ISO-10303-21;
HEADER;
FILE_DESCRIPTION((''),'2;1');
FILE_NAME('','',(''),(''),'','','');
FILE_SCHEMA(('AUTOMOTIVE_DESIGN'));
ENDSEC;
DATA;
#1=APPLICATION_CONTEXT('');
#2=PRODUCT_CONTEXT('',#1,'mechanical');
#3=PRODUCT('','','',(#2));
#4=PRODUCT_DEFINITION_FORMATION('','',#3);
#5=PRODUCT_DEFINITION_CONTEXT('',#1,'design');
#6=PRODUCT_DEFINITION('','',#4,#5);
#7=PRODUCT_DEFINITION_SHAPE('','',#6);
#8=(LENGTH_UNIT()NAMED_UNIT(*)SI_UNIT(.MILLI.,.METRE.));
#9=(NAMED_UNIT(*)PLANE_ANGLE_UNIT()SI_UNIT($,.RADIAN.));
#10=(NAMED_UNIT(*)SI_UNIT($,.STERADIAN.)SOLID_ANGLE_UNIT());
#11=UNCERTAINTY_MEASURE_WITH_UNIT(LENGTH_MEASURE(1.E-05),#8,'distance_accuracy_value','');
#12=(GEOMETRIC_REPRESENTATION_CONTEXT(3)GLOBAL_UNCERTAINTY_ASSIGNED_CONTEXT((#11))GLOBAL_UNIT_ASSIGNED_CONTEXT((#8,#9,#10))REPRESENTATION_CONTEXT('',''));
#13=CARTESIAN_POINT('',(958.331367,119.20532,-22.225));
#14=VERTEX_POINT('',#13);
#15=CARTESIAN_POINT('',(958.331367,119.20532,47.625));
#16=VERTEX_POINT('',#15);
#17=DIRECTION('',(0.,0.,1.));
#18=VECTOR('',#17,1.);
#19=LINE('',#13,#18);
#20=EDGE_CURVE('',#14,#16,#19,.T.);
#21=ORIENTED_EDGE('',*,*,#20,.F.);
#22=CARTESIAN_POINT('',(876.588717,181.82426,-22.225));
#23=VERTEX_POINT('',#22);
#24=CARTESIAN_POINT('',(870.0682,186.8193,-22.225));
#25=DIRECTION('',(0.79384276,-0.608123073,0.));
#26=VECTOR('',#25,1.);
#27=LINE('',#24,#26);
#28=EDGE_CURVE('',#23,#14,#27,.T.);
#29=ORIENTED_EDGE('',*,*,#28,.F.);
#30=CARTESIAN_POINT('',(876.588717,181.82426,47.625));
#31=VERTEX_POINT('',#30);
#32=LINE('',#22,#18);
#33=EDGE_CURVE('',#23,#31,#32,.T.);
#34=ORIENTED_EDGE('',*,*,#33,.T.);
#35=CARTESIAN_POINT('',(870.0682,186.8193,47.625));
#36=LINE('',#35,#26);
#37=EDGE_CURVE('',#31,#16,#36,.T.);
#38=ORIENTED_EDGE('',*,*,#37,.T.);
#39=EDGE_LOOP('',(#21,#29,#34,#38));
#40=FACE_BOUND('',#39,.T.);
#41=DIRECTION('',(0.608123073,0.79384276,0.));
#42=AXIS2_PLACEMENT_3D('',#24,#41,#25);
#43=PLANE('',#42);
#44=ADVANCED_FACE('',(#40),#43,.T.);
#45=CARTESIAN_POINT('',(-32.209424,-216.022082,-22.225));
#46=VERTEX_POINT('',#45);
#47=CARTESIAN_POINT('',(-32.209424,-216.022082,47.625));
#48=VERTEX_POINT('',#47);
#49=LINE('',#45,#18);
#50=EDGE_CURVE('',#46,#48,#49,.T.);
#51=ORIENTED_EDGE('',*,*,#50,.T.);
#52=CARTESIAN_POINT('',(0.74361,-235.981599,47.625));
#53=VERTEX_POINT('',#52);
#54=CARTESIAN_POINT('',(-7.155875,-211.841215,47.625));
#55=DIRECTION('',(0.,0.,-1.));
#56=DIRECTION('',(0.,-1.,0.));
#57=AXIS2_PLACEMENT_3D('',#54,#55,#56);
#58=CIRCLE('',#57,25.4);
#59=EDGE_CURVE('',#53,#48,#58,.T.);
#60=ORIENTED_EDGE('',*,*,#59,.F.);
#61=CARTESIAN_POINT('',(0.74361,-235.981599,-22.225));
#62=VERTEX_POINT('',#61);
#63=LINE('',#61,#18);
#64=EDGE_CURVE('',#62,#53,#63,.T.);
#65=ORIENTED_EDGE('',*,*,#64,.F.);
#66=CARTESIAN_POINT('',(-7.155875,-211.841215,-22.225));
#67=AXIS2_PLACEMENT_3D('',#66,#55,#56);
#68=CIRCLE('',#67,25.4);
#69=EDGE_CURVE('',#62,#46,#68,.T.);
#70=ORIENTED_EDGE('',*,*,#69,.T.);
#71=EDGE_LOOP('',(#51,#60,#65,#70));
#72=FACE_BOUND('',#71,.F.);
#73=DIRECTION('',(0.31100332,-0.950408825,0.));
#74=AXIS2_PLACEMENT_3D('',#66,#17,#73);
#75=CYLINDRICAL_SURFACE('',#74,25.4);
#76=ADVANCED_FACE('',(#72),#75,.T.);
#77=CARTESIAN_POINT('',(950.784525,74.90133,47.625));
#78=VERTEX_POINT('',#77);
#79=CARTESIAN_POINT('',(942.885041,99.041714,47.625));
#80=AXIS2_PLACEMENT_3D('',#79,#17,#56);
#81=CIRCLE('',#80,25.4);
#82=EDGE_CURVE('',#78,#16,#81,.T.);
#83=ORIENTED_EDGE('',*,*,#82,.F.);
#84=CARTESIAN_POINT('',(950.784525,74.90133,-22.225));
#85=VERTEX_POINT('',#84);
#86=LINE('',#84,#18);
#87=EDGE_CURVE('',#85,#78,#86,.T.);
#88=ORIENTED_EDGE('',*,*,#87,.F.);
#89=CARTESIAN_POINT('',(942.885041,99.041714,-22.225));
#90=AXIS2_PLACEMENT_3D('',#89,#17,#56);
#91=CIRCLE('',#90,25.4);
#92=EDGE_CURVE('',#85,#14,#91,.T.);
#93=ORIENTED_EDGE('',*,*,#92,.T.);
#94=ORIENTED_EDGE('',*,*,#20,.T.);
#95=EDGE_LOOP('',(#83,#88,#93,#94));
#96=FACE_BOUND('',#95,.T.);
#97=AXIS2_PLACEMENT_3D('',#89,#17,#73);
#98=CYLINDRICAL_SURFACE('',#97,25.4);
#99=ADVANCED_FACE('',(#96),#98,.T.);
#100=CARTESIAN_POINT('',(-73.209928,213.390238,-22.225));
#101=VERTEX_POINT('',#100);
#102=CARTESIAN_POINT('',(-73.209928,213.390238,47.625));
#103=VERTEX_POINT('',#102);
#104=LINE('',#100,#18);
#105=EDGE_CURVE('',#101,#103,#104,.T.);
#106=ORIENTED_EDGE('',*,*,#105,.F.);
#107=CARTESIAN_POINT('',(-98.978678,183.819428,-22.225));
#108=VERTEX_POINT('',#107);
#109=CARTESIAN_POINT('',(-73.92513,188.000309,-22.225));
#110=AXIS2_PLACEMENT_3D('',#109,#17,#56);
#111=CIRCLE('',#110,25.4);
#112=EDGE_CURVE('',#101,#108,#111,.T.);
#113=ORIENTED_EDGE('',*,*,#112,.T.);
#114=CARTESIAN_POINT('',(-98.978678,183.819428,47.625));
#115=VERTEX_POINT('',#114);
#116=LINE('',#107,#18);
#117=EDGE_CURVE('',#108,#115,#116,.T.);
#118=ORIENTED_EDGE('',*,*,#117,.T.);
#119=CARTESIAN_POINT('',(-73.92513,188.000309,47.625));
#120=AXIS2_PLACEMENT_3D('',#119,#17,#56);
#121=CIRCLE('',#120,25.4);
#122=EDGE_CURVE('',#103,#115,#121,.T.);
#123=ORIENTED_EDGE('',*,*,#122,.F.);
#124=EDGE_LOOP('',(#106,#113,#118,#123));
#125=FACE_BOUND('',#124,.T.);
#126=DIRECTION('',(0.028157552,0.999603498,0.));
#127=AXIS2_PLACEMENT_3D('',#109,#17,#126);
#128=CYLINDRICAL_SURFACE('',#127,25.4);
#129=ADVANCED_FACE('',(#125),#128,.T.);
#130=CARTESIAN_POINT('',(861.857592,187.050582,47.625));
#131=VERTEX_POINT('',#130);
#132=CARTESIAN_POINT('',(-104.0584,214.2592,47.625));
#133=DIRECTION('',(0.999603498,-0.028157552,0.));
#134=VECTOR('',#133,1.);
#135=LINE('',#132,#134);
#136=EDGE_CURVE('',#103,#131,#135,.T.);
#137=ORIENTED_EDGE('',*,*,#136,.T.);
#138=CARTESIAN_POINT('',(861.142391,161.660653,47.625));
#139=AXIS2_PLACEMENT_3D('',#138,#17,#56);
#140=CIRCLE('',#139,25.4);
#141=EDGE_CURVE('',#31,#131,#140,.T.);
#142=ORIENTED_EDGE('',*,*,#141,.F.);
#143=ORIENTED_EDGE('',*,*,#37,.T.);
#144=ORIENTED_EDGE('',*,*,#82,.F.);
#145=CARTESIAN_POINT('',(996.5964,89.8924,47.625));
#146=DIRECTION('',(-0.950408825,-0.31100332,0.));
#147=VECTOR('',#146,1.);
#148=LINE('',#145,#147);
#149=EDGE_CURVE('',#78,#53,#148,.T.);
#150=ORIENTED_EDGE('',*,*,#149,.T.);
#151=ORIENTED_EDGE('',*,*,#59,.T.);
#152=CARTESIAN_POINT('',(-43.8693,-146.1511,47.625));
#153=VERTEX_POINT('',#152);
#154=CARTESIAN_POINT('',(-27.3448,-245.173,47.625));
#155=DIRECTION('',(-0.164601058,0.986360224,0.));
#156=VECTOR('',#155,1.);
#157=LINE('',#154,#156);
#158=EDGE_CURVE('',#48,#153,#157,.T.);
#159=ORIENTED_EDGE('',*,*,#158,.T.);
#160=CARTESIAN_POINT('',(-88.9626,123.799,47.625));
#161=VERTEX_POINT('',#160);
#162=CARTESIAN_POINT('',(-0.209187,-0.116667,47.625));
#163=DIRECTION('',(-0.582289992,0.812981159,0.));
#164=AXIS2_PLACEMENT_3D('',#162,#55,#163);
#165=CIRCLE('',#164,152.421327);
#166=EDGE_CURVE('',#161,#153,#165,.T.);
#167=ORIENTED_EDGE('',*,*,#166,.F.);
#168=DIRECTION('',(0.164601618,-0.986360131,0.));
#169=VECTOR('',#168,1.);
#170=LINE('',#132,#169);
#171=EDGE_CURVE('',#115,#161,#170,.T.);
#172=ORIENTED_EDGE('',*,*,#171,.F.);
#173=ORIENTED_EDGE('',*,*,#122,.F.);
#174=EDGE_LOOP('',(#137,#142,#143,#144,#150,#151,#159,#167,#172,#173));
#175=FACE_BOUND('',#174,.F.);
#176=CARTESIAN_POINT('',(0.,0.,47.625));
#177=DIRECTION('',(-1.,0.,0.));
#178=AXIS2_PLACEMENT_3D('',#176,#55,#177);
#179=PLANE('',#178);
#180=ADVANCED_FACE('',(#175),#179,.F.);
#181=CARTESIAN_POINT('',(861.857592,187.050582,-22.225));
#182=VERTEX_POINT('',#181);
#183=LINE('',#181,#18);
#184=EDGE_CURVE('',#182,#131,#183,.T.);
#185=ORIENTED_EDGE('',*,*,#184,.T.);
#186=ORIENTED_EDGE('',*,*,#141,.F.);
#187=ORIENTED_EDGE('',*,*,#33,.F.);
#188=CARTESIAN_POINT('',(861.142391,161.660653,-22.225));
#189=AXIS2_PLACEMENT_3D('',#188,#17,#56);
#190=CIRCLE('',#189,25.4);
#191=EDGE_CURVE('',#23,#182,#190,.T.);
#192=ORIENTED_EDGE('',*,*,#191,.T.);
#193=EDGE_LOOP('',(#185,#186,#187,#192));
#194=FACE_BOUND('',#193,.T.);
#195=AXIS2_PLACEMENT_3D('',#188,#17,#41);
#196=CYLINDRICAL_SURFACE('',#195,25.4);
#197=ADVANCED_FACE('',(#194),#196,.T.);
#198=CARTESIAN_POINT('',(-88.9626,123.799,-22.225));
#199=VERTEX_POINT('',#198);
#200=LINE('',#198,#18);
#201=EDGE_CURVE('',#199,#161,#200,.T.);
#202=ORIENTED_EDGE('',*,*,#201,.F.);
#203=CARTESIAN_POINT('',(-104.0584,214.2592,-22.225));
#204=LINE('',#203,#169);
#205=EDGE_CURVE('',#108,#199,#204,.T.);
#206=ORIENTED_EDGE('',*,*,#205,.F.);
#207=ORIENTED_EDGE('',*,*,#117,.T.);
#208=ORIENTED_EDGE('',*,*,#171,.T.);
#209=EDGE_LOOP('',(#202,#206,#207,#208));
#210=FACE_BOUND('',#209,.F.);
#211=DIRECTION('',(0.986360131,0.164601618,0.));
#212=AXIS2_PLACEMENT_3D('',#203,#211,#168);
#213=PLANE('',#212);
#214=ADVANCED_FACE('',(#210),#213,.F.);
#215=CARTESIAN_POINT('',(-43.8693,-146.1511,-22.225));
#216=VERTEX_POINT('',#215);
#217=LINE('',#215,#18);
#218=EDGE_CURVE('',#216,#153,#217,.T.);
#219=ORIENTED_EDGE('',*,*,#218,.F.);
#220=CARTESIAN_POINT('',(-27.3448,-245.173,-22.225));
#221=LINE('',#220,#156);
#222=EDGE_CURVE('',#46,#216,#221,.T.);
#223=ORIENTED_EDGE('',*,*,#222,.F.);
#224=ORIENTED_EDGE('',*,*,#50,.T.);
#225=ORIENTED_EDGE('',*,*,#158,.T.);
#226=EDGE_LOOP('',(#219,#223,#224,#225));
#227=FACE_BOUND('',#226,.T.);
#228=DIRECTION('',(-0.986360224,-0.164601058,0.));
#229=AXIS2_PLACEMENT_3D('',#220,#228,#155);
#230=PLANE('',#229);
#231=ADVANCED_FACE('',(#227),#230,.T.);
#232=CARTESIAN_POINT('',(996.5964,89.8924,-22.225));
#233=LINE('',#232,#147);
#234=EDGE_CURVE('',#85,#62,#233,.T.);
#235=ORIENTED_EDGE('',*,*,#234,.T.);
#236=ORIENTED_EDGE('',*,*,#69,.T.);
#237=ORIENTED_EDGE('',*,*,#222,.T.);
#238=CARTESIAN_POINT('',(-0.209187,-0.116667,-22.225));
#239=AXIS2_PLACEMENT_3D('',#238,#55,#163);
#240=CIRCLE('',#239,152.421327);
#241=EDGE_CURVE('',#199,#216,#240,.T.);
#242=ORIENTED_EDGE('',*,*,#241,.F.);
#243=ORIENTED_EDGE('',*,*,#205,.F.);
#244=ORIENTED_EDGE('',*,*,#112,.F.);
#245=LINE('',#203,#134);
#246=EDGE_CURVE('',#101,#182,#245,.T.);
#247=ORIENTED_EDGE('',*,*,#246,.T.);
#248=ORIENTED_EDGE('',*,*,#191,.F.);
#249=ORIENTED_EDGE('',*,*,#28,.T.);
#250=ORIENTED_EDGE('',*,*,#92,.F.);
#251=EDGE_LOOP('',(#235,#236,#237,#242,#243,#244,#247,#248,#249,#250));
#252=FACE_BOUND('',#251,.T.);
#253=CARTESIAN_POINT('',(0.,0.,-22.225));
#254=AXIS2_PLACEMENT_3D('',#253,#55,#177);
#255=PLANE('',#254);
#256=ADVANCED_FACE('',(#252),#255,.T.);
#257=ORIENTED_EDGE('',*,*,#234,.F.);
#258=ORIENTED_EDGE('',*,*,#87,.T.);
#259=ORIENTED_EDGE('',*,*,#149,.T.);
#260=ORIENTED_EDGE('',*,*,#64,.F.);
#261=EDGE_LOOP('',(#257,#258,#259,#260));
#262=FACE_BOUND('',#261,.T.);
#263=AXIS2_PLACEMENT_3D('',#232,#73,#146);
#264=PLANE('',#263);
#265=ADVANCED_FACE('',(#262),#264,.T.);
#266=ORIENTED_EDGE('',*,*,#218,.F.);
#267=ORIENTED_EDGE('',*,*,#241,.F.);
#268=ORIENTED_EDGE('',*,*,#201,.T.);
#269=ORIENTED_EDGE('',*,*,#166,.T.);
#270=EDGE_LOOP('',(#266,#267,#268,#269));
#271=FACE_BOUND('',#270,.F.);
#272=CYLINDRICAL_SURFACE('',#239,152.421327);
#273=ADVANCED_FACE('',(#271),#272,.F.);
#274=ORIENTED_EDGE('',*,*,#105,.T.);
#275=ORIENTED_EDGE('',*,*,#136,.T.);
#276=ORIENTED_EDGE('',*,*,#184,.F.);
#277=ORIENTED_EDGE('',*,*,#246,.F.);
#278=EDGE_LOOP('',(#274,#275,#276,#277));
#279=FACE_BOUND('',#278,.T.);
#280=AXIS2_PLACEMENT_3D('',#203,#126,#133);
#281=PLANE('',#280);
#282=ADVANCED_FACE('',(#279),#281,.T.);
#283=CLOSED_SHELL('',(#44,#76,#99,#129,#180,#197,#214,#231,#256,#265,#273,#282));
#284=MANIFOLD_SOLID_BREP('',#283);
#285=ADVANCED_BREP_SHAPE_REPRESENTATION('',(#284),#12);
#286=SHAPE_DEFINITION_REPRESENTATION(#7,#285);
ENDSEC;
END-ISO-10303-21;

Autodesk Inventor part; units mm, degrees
ref_plane "YZ Plane" through (0, 0, 0) normal (1, 0, 0) x (0, 1, 0)
ref_plane "XZ Plane" through (0, 0, 0) normal (0, 1, 0) x (-1, 0, 0)
ref_plane "XY Plane" through (0, 0, 0) normal (0, 0, 1) x (1, 0, 0)
ref_plane "Work Plane1" through (0, 0, -22.225) normal (0, 0, -1) x (-1, 0, 0)
sketch "Sketch1" plane through (0, 0, -22.225) normal (0, 0, -1) x (-1, 0, 0)
  arc A0 (88.9626, 123.799) -> (43.8693, -146.1511) centre (0.2092, -0.1167) ccw
  line L0 (104.0584, 214.2592) -> (-870.0682, 186.8193)
  line L1 (-870.0682, 186.8193) -> (-996.5964, 89.8924)
  line L2 (-996.5964, 89.8924) -> (27.3448, -245.173)
  line L3 (104.0584, 214.2592) -> (88.9626, 123.799)
  line L4 (27.3448, -245.173) -> (43.8693, -146.1511)
extrude "Extrusion1" add sketch "Sketch1" against normal blind 69.85
fillet "Fillet1" radius 25.4 1 edges at (-104.0584, 214.2592, 12.7)
fillet "Fillet2" radius 25.4 1 edges at (-27.3448, -245.173, 12.7)
fillet "Fillet3" radius 25.4 2 edges at (996.5964, 89.8924, 12.7) (870.0682, 186.8193, 12.7)
properties material "Wood (Walnut)"
